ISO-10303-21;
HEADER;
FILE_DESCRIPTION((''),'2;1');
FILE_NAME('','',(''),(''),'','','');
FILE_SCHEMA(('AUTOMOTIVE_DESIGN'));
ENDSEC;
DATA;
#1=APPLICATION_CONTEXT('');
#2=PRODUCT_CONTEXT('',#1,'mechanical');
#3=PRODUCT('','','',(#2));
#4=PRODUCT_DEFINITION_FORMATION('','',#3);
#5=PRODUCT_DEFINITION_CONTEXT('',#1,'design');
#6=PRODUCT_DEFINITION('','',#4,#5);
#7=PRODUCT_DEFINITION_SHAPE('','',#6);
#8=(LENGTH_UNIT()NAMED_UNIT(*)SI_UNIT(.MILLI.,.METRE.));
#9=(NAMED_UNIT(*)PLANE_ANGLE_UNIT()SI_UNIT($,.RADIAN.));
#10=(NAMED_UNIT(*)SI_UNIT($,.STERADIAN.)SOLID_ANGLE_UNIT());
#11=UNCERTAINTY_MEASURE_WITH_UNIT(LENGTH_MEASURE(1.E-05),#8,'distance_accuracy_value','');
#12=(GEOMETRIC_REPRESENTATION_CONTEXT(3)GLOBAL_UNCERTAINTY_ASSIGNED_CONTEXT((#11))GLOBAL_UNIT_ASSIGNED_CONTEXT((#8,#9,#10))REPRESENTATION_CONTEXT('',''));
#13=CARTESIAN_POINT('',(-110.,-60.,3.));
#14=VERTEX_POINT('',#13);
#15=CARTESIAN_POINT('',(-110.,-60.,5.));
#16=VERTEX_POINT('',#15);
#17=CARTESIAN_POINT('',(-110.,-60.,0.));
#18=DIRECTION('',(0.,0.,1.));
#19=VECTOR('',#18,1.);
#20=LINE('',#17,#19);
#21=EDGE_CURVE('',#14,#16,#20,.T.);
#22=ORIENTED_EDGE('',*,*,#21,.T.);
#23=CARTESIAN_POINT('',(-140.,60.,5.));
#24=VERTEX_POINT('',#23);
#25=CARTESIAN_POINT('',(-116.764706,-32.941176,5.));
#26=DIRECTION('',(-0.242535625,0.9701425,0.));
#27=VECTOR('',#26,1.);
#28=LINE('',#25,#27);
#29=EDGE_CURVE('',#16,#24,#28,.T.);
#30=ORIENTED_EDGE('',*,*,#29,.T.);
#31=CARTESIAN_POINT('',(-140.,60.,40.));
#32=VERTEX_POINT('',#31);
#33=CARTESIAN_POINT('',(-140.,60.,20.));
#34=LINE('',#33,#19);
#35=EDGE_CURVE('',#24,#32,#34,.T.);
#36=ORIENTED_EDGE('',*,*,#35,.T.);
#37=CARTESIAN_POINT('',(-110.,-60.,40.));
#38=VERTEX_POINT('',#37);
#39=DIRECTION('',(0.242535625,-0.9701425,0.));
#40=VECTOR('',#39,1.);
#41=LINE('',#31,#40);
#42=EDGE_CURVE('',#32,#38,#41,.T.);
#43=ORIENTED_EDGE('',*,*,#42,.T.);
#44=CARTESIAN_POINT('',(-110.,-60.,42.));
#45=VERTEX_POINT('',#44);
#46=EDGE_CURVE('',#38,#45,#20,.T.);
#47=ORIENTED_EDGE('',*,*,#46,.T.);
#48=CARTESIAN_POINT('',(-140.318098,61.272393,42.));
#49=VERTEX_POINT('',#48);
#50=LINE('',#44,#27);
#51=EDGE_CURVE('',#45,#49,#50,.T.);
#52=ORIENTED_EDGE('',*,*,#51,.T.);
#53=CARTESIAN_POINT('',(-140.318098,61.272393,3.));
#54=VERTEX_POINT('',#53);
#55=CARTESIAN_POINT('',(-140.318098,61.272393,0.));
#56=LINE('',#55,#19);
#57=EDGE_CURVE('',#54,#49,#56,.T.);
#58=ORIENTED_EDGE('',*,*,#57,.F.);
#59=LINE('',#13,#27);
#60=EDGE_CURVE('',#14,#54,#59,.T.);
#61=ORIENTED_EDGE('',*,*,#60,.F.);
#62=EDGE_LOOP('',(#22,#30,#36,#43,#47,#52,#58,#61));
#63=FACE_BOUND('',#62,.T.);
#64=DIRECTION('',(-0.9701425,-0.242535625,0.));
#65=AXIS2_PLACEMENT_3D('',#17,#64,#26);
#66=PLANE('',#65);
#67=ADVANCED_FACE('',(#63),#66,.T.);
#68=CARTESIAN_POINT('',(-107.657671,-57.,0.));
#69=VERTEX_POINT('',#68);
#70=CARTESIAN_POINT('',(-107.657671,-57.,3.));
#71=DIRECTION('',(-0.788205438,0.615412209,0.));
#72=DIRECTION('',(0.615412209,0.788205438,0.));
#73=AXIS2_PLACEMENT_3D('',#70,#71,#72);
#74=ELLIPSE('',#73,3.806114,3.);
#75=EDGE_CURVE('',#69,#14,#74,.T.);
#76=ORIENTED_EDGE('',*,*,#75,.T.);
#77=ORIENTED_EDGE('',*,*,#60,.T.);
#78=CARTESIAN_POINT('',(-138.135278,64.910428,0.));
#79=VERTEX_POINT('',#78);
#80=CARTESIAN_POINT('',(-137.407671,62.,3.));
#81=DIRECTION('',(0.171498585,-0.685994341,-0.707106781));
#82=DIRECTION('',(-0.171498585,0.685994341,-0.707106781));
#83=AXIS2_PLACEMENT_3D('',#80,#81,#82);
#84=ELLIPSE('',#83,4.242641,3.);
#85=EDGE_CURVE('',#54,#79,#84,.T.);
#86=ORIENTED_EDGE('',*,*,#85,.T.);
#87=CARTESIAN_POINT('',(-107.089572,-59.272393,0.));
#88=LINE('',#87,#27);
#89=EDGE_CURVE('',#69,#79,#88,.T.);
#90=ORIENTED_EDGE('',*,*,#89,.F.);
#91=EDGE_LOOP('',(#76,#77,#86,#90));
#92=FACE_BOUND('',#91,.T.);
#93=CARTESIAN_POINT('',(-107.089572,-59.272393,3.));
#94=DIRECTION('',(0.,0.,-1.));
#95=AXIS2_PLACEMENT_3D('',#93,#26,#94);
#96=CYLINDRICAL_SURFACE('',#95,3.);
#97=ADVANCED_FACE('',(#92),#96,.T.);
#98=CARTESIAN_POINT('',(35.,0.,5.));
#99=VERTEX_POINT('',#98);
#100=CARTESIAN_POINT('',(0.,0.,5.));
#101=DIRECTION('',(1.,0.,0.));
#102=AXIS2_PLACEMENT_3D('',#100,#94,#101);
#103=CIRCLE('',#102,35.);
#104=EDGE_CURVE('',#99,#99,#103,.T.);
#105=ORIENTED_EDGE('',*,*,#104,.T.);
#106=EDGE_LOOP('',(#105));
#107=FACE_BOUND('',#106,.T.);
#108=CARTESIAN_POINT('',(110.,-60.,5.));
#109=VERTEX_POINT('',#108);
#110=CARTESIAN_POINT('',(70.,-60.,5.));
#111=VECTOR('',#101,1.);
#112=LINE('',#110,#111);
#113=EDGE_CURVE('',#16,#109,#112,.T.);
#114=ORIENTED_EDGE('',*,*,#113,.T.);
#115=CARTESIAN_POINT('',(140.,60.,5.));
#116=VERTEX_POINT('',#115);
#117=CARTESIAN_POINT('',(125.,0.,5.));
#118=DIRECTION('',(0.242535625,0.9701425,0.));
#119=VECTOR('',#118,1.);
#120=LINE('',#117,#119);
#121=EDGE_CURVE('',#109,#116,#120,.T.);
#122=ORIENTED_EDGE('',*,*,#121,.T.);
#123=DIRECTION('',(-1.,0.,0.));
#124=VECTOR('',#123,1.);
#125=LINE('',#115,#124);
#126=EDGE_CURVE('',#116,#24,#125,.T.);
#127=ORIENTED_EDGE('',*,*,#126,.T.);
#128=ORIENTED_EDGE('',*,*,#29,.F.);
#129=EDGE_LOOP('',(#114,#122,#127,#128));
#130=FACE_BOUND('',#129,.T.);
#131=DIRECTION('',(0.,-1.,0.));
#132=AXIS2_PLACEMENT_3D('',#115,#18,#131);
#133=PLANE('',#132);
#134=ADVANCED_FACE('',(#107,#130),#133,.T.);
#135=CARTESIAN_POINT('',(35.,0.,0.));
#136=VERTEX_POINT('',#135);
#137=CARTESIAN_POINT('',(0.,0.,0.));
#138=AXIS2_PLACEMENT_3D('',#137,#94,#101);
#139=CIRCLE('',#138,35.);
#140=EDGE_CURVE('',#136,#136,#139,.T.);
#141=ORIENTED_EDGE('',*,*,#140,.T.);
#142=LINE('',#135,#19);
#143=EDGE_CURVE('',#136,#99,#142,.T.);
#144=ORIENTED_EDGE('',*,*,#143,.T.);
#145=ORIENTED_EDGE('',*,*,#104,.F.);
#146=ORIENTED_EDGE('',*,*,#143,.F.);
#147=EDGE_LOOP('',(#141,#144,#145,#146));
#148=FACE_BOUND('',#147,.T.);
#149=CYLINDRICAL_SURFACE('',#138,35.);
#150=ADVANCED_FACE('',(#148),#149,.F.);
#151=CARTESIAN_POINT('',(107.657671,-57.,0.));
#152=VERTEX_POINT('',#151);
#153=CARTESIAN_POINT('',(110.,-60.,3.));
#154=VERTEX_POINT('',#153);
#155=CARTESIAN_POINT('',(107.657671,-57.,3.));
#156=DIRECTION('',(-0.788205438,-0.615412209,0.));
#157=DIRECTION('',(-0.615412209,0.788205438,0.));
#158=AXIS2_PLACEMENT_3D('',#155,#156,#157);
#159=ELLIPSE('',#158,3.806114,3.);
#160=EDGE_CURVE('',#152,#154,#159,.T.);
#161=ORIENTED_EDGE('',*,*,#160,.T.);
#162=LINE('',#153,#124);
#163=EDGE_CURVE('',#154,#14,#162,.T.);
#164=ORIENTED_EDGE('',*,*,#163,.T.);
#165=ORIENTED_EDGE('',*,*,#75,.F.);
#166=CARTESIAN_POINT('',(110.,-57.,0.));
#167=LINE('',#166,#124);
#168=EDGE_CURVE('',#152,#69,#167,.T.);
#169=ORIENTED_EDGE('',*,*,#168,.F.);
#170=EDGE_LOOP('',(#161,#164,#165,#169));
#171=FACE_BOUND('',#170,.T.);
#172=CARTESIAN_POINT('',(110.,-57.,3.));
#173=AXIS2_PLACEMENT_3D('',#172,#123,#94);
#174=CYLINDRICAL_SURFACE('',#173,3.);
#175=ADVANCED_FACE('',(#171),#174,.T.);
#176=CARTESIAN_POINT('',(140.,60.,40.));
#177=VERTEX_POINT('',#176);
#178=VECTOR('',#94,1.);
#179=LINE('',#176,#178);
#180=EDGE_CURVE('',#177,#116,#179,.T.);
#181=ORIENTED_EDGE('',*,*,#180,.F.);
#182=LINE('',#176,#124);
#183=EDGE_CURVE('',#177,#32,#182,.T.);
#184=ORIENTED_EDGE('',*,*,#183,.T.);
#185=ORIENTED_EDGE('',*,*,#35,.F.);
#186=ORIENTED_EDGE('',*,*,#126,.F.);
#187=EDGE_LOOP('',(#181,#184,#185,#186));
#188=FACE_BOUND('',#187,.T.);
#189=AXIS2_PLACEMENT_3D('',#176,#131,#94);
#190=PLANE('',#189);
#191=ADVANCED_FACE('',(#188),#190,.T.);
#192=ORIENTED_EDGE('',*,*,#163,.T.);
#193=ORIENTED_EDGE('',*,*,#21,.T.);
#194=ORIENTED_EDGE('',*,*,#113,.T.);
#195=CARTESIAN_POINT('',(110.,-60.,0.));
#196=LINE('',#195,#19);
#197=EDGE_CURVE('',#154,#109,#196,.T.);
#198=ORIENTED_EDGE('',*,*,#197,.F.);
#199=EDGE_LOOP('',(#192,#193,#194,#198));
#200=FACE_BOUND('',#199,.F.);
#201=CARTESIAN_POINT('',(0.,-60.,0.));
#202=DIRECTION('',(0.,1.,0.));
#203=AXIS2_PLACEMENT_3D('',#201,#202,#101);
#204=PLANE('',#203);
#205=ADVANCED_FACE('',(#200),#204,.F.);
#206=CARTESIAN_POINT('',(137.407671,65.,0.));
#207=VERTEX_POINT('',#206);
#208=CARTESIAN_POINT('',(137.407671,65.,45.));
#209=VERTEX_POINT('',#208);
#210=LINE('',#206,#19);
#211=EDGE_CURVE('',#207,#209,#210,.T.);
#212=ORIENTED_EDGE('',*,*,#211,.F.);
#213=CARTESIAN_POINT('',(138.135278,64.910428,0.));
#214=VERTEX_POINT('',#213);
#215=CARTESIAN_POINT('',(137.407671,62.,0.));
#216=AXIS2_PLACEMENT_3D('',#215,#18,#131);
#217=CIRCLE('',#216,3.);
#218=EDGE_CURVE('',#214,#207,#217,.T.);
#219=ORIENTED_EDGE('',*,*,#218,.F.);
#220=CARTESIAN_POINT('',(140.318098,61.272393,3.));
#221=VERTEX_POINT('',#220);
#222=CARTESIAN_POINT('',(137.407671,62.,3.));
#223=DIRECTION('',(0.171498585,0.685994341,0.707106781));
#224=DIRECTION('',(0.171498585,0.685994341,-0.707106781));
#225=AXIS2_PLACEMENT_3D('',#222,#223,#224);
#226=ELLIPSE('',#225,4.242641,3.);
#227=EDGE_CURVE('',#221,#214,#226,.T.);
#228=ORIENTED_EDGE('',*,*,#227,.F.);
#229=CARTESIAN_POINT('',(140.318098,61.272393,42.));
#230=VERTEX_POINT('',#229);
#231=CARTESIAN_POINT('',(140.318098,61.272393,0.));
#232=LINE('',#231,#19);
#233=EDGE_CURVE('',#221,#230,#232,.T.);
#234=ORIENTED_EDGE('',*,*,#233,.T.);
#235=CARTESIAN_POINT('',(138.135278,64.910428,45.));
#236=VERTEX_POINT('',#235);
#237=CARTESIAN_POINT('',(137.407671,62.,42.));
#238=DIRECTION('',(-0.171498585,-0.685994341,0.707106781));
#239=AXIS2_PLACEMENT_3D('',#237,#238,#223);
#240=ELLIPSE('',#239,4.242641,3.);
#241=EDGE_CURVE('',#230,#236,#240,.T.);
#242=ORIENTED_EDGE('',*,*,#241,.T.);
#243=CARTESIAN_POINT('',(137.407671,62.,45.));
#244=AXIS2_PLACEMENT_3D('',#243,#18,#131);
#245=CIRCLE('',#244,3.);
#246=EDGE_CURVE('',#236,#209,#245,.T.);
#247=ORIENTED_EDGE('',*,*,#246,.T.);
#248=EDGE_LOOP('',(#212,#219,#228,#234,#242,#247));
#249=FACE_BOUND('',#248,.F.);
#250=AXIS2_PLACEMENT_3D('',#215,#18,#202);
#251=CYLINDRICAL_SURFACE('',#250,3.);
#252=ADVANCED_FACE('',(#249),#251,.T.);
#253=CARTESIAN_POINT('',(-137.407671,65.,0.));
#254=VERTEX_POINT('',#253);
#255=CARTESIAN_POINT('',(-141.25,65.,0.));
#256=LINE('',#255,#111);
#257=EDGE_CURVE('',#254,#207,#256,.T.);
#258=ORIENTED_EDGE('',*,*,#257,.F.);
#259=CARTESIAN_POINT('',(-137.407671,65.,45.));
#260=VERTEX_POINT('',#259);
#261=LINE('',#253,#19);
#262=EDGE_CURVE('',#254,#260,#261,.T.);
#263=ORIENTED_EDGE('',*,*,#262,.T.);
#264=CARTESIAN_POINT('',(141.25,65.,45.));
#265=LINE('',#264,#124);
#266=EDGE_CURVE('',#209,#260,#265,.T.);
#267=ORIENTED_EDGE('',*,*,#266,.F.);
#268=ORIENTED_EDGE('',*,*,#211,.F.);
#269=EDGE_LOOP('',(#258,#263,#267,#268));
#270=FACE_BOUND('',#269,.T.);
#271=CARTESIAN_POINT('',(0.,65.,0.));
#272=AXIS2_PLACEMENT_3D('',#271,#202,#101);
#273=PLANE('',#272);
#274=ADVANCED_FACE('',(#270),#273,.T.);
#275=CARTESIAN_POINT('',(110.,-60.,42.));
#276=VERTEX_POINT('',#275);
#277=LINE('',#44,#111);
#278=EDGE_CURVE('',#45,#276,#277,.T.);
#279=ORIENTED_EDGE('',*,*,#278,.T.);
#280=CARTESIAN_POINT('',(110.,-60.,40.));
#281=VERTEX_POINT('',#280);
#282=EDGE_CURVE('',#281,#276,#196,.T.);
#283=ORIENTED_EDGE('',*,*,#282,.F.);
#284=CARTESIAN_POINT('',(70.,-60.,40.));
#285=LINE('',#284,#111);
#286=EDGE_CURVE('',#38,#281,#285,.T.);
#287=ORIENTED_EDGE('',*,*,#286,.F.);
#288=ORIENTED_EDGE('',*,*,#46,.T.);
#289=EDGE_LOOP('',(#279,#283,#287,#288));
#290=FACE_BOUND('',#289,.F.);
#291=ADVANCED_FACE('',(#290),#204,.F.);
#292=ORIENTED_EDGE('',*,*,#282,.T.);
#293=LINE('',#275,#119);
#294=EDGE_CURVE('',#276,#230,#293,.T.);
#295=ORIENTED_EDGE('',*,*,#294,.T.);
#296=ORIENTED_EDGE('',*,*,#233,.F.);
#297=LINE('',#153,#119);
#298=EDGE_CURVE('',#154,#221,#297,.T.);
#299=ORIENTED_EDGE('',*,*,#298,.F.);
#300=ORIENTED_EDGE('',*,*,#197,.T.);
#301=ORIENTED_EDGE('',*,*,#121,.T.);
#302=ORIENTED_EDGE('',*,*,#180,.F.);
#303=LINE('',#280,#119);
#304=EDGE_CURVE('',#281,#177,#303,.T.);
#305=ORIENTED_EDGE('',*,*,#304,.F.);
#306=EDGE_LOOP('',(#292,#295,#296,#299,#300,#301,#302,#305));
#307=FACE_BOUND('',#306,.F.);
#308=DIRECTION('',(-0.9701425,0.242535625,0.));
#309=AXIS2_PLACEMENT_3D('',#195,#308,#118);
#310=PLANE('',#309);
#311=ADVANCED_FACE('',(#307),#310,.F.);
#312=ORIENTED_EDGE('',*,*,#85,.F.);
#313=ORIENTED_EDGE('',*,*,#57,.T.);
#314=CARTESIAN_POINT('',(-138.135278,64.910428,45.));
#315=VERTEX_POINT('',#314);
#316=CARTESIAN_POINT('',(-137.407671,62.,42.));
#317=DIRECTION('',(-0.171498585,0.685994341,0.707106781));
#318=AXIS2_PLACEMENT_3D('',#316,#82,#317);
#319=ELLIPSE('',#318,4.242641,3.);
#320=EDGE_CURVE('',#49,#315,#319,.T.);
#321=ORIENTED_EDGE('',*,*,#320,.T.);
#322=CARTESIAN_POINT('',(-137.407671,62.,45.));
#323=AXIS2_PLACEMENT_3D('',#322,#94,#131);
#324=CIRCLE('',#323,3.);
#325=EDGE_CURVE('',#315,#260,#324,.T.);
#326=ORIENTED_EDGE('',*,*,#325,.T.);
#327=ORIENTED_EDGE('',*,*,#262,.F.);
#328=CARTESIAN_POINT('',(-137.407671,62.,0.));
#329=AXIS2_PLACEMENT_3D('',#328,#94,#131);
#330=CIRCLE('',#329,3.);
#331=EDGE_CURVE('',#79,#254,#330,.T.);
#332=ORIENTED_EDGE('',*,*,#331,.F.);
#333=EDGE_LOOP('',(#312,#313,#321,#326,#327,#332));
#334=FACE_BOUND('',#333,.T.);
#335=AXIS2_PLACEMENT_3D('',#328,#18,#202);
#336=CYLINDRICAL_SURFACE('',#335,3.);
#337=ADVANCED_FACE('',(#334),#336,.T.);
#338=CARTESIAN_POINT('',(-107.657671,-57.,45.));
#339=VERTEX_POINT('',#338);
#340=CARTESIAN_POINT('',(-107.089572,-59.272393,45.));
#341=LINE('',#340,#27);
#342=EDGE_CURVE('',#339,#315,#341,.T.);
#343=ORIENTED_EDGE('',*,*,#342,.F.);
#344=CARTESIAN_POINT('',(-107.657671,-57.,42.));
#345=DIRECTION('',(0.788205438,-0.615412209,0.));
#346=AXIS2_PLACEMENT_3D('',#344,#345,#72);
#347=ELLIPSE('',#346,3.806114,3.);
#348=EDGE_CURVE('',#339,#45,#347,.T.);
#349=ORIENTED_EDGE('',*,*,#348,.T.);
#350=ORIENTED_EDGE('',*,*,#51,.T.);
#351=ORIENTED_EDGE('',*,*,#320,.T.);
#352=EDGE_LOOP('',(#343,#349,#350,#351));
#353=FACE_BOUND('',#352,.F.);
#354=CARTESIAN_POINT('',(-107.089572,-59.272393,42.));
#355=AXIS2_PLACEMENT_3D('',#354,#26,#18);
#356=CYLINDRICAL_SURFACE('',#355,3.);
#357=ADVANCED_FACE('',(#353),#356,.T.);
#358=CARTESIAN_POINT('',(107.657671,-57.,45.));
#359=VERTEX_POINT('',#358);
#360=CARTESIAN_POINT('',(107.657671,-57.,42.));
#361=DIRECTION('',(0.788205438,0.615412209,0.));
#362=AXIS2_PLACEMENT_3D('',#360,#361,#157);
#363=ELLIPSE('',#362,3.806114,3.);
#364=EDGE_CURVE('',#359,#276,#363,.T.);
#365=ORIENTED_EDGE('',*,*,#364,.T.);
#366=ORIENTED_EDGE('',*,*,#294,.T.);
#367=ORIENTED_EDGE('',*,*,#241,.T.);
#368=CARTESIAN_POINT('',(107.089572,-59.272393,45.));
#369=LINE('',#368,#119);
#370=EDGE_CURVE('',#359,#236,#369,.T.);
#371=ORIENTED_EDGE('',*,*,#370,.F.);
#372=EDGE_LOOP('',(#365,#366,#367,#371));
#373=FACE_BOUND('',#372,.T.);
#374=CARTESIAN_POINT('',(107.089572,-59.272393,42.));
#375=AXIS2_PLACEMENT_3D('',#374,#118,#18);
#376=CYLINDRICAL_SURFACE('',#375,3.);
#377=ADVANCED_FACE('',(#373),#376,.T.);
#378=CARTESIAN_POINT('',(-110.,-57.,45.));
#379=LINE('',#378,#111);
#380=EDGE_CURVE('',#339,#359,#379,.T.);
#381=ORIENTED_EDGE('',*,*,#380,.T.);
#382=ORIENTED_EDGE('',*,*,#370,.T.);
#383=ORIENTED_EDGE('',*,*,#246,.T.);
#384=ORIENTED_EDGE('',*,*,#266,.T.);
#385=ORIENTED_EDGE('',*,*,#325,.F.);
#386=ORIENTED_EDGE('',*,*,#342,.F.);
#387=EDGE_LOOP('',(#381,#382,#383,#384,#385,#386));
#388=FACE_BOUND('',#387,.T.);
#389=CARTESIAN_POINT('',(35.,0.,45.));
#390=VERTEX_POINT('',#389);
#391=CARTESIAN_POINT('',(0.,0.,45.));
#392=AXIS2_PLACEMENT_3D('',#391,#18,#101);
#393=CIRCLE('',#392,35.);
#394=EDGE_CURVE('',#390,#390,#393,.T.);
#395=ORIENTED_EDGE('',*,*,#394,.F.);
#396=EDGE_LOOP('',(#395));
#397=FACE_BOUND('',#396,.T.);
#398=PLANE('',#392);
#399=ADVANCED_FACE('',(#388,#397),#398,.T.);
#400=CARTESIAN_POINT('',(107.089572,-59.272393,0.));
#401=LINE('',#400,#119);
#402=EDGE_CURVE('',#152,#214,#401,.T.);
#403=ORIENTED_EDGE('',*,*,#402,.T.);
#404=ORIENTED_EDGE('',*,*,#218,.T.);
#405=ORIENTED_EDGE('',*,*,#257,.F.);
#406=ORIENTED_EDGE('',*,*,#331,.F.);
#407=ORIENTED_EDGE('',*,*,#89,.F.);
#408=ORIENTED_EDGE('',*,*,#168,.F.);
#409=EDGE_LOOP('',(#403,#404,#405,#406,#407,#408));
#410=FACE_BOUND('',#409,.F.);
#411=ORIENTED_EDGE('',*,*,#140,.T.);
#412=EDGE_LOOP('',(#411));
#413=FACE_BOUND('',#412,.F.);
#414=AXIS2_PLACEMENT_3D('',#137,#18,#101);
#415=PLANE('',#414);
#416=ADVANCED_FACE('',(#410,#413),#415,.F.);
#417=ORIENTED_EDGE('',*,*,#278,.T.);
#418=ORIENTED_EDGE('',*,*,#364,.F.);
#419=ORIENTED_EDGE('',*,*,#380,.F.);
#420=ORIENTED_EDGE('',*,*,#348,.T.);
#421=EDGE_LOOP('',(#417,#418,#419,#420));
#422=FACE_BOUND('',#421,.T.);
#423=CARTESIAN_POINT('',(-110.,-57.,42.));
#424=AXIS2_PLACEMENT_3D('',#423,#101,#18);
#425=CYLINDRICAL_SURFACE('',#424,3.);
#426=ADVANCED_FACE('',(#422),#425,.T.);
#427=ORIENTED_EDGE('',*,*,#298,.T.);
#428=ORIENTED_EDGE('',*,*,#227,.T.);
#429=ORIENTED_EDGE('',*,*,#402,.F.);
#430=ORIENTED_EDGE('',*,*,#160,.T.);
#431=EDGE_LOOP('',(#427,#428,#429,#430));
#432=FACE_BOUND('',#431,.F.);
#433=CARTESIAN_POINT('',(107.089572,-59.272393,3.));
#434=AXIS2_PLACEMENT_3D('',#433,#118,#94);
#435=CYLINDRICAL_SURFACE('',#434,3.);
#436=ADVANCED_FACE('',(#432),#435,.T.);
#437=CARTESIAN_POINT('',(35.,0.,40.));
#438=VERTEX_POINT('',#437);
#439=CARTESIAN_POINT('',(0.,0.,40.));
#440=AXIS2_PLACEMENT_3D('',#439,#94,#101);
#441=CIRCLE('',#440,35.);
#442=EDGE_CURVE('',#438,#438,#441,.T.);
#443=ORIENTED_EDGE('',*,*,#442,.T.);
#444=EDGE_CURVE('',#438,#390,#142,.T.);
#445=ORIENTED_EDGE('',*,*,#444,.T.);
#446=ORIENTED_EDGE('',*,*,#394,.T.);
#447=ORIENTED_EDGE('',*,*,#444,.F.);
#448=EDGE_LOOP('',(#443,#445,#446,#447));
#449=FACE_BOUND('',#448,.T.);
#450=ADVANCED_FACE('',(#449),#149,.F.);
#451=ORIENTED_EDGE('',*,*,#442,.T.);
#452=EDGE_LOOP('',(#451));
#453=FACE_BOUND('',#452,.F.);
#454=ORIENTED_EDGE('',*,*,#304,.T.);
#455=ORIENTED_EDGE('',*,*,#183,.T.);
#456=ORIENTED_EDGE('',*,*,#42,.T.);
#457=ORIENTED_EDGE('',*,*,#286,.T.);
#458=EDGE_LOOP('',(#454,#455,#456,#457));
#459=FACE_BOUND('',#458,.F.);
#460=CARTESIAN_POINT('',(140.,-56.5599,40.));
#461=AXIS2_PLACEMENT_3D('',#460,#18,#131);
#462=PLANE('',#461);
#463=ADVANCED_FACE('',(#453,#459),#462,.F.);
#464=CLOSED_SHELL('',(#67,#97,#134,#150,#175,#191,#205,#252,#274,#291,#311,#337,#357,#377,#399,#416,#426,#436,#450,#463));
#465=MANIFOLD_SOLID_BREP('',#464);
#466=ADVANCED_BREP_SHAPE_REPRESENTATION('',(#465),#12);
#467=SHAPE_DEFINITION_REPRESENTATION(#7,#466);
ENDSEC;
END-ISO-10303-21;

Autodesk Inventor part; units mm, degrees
ref_plane "XZ Plane" through (0, 0, 0) normal (0, 1, 0) x (-1, 0, 0)
sketch "Sketch1" plane through (0, 0, 0) normal (0, 0, 1) x (1, 0, 0)
  circle A0 centre (0, 0) radius 35
  line L0 (0, 0) -> (0, 35)
  line L1 (0, 0) -> (0, -35)
  line L2 (110, -60) -> (141.25, 65)
  line L3 (-110, -60) -> (-141.25, 65)
  line L4 (0, -35) -> (0, -60)
  line L5 (0, -60) -> (110, -60)
  line L6 (0, -60) -> (-110, -60)
  line L7 (0, 35) -> (0, 65)
  line L8 (0, 65) -> (141.25, 65)
  line L9 (0, 65) -> (-141.25, 65)
extrude "Extrusion3" add sketch "Sketch1" along normal blind 45 contours A0 L7 L8 L2 L5 L4 | A0 L4 L6 L3 L9 L7
ref_plane "Work Plane2" through (142.5, 0, 0) normal (1, 0, 0) x (0, 1, 0)
fillet "Fillet2" radius 3 8 edges at (-141.25, 65, 22.5) (141.25, 65, 22.5) (125.625, 2.5, 45) (-125.625, 2.5, 45) (-125.625, 2.5, 0) (125.625, 2.5, 0) (0, -60, 0) (0, -60, 45)
sketch "Sketch5" plane through (142.5, 0, 0) normal (1, 0, 0) x (0, 1, 0)
  point P0 (0, 0)
ref_plane "Work Plane3" through (140, 0, 0) normal (1, 0, 0) x (0, 1, 0)
sketch "Sketch6" plane through (140, 0, 0) normal (1, 0, 0) x (0, 1, 0)
  line L0 (-56.5599, 40) -> (60, 40)
  line L1 (60, 40) -> (60, 5)
  line L2 (60, 5) -> (-60.1868, 5)
  line L3 (-56.5599, 40) -> (60, 5) construction
  line L4 (60, 40) -> (-60.1868, 5) construction
  line L5 (65, 0) -> (65, 45) projected
  line L6 (-56.5599, 40) -> (-64.3318, 40)
  line L7 (-64.3318, 40) -> (-64.3318, 5)
  line L8 (-64.3318, 5) -> (-60.1868, 5)
  line L9 (64.9104, 45) -> (-57, 45) projected
  line L10 (-57, 0) -> (64.9104, 0) projected
  point P0 (0, 0)
  point P1 (0.8272, 22.7681)
  dimension "d33" = 5
  dimension "d36" = 5
  dimension "d37" = 5
extrude "Extrusion5" cut sketch "Sketch6" against normal blind 1000
properties part number "sambungan leaf spring" material "Steel, Mild"
